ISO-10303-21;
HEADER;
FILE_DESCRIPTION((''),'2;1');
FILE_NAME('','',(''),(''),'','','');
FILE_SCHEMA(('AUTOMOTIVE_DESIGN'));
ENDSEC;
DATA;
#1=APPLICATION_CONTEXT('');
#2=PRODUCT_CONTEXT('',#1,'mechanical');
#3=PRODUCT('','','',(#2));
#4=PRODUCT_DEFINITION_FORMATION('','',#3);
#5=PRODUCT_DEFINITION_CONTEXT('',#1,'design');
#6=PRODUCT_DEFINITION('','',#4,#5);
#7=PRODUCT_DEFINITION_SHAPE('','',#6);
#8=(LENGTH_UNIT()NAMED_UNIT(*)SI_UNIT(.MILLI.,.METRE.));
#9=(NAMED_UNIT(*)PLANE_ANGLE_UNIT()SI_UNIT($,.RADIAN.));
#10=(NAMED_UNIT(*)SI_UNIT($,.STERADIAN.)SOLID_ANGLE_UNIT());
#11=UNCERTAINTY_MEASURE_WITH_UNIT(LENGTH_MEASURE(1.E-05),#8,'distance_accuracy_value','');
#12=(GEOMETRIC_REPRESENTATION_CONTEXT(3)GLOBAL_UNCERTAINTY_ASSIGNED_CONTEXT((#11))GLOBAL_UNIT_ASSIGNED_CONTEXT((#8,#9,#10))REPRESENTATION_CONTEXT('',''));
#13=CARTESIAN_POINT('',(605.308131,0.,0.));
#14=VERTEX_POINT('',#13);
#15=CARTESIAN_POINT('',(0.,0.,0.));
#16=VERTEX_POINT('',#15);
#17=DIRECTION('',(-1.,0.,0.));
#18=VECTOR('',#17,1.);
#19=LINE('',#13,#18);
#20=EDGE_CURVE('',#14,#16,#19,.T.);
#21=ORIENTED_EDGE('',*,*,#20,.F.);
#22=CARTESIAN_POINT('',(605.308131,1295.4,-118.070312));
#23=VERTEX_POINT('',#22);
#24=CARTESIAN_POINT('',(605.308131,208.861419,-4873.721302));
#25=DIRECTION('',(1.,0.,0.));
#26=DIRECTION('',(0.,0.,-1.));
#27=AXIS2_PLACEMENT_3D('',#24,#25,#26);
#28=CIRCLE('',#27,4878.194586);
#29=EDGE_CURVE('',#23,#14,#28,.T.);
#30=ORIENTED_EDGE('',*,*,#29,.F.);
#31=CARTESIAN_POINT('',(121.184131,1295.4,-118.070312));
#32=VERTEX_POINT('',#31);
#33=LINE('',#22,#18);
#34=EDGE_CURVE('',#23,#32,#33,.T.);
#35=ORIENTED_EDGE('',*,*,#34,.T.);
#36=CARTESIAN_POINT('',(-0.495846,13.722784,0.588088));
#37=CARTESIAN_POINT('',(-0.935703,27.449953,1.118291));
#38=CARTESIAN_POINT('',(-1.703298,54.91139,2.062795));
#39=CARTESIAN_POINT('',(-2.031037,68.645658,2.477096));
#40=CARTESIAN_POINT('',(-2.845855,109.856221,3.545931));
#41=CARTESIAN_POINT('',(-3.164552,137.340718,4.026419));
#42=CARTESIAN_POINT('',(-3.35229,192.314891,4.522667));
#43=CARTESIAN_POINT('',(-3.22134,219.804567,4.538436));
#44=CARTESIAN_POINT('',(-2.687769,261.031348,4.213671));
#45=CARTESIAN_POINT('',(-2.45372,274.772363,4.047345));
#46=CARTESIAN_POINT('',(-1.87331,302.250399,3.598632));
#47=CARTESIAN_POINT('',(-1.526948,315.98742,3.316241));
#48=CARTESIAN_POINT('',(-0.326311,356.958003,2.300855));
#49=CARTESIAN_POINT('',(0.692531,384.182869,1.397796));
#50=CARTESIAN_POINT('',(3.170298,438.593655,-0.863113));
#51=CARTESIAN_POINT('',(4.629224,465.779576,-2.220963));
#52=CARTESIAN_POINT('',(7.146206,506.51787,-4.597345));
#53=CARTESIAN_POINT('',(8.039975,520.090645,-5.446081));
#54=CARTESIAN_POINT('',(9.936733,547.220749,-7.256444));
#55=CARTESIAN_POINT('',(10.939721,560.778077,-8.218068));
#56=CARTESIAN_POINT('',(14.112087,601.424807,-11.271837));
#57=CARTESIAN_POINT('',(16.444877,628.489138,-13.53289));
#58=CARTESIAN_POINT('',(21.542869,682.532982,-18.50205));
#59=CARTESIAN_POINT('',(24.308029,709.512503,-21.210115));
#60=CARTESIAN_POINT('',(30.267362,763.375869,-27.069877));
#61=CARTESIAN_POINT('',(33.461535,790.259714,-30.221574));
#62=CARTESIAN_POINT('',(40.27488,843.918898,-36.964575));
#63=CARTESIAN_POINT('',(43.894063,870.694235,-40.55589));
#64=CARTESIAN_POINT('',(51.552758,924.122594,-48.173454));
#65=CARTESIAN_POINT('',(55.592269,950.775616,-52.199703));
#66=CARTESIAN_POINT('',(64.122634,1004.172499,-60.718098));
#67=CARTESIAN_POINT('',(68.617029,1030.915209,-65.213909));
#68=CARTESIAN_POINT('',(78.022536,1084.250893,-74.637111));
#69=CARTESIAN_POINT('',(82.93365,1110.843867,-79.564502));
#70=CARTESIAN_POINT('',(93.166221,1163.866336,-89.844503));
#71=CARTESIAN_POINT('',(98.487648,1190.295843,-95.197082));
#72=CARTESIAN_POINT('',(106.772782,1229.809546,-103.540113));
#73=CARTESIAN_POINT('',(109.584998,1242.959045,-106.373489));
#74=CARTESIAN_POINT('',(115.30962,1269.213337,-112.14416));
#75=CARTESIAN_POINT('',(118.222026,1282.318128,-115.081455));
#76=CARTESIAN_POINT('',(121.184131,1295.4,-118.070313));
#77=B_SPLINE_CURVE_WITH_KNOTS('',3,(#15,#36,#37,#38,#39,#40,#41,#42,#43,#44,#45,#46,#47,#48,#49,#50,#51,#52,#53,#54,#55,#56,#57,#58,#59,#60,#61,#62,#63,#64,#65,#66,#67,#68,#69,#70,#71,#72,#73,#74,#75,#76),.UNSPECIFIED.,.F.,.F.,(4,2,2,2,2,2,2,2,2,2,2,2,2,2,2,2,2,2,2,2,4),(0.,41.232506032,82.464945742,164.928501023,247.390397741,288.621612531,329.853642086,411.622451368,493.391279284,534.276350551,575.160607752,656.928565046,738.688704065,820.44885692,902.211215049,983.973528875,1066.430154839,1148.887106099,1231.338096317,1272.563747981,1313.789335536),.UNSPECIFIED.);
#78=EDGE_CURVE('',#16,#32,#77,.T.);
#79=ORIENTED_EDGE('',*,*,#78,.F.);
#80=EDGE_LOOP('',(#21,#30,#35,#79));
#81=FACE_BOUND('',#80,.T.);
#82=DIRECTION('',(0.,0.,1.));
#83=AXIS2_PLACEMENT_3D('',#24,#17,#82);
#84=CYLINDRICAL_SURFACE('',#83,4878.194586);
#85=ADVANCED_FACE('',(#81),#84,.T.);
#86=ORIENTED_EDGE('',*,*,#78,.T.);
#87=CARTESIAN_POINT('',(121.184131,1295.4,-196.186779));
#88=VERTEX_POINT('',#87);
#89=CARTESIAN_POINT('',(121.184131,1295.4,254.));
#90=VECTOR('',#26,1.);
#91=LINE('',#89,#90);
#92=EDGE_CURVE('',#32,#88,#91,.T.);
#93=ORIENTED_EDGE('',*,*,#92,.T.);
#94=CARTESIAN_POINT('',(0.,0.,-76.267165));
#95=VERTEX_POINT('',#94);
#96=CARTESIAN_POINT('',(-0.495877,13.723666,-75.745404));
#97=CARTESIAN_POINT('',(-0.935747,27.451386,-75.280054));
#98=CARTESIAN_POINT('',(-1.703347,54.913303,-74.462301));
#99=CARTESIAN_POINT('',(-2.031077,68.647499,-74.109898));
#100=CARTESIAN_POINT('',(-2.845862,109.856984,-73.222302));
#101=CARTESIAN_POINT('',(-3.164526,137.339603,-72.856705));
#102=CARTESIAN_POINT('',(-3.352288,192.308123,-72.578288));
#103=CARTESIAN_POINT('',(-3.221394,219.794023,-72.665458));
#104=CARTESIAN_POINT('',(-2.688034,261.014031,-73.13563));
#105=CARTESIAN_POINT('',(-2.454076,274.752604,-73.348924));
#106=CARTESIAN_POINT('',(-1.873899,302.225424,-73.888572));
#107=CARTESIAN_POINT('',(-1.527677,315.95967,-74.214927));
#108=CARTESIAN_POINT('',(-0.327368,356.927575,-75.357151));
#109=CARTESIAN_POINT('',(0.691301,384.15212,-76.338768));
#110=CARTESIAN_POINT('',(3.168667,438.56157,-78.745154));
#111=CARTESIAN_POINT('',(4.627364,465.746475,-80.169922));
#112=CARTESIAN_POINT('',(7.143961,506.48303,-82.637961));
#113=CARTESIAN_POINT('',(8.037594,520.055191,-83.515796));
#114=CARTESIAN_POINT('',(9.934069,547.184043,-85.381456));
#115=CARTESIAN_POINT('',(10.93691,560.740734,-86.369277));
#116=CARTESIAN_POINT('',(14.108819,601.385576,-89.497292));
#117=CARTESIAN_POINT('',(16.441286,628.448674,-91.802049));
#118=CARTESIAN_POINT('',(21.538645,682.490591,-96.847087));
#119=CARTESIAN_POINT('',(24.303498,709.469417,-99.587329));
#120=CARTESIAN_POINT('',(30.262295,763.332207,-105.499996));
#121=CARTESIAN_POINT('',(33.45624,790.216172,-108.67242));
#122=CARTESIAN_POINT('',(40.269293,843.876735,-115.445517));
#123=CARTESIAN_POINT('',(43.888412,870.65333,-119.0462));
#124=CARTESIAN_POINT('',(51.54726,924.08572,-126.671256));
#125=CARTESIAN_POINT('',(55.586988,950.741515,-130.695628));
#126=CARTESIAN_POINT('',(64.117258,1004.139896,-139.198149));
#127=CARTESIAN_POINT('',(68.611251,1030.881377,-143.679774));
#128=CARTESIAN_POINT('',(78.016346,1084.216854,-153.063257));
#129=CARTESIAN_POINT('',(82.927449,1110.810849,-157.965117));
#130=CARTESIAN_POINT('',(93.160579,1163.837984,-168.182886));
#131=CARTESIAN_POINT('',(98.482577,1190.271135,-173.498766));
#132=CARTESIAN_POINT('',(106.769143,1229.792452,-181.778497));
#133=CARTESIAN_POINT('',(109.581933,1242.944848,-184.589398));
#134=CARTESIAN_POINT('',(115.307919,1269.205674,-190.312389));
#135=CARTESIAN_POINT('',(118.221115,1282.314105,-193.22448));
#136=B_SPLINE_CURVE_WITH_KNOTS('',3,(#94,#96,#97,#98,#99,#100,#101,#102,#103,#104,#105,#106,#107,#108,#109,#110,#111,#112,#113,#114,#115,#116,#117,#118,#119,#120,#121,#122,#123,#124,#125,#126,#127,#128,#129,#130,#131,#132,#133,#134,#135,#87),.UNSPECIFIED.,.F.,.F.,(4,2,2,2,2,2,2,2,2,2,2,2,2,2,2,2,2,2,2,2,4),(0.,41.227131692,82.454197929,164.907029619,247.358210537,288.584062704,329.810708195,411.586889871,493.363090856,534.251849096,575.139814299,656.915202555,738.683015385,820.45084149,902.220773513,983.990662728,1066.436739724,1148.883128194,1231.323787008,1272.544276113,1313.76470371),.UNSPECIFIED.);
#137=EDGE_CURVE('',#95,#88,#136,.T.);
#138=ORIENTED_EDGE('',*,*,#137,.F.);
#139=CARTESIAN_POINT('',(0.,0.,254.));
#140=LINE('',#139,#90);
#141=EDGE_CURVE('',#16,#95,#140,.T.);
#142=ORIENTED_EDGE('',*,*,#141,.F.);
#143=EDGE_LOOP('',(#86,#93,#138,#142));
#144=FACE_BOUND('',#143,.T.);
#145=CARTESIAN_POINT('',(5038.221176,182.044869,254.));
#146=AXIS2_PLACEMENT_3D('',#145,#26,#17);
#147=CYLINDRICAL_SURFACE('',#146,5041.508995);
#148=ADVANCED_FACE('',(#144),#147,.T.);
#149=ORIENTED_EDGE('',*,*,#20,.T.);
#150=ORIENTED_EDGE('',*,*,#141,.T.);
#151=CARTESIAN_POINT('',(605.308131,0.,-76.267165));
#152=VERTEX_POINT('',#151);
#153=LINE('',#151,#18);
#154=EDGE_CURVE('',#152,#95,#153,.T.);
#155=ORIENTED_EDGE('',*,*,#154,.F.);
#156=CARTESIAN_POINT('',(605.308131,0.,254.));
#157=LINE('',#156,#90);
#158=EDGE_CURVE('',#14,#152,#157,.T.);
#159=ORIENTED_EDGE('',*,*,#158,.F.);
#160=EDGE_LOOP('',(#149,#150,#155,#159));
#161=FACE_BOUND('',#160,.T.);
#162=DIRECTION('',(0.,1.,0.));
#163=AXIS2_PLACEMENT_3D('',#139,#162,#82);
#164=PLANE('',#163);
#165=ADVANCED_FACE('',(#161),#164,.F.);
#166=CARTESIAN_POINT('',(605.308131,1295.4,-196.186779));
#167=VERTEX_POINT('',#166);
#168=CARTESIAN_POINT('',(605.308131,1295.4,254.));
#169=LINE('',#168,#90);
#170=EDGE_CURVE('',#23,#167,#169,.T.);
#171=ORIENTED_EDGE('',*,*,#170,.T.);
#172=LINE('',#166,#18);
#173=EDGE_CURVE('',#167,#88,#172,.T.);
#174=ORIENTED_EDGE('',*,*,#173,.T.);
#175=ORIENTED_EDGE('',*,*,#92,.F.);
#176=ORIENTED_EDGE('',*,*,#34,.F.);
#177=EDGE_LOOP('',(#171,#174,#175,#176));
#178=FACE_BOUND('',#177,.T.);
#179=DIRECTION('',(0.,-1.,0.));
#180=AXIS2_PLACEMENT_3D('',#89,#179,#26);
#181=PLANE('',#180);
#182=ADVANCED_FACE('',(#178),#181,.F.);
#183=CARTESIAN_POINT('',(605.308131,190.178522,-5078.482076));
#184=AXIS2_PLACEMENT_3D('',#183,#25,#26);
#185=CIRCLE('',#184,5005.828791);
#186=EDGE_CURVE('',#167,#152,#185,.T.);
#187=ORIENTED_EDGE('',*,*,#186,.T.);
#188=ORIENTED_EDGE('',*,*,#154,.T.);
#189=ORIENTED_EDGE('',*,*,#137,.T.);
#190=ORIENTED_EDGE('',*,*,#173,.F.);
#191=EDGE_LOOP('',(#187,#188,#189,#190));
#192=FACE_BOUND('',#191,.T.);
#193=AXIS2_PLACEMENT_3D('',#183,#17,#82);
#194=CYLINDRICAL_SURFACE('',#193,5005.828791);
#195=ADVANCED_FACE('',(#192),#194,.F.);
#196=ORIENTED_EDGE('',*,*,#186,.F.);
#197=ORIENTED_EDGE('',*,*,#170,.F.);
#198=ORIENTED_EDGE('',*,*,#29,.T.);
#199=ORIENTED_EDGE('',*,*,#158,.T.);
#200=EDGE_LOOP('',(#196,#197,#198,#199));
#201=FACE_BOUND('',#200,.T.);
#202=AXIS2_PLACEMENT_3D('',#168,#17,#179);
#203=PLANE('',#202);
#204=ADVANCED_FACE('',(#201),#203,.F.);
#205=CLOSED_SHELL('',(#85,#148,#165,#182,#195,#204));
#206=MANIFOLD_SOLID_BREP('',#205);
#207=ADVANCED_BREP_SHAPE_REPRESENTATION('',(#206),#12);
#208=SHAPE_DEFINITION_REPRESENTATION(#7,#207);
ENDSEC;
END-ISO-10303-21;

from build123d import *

# Parameters (mm, degrees)
BOSS_EXTRUDE1_DEPTH     = 254
CUT_EXTRUDE1_DEPTH      = 1453.231074317
CUT_EXTRUDE1_DEPTH_BACK = 1453.231074317


with BuildPart() as part:
    # Sketch1 → Boss-Extrude1 (new, symmetric)
    with BuildSketch(Plane.XY):
        with BuildLine():
            Line((121.1841308, 1295.4), (605.3081308, 1295.4))
            Line((605.3081308, 1295.4), (605.3081308, 0))
            Line((605.3081308, 0), (0, 0))
            ThreePointArc((0, 0), (18.628876548, 651.62563885), (121.1841308, 1295.4))
        make_face()
    extrude(amount=BOSS_EXTRUDE1_DEPTH, both=True)

    # Sketch2 → Cut-Extrude1 (cut, two sides: drawn at the far end of the back side and taken through both)
    with BuildSketch(Plane(origin=(0, 0, 0), x_dir=(0, 0, -1), z_dir=(1, 0, 0)).offset(-CUT_EXTRUDE1_DEPTH_BACK)):
        with BuildLine():
            Line((196.186778864, 1295.4), (254, 1295.4))
            Line((254, 1295.4), (254, 0))
            Line((254, 0), (76.26716522, 0))
            ThreePointArc((76.26716522, 0), (93.965970842, 651.612245589), (196.186778864, 1295.4))
        make_face()
        with BuildLine():
            ThreePointArc((118.0703125, 1295.4), (15.664285855, 651.653074125), (0, 0))
            Line((0, 0), (-254, 0))
            Line((-254, 0), (-254, 1295.4))
            Line((-254, 1295.4), (118.0703125, 1295.4))
        make_face()
    extrude(amount=CUT_EXTRUDE1_DEPTH + CUT_EXTRUDE1_DEPTH_BACK, mode=Mode.SUBTRACT)


solid = part.part
